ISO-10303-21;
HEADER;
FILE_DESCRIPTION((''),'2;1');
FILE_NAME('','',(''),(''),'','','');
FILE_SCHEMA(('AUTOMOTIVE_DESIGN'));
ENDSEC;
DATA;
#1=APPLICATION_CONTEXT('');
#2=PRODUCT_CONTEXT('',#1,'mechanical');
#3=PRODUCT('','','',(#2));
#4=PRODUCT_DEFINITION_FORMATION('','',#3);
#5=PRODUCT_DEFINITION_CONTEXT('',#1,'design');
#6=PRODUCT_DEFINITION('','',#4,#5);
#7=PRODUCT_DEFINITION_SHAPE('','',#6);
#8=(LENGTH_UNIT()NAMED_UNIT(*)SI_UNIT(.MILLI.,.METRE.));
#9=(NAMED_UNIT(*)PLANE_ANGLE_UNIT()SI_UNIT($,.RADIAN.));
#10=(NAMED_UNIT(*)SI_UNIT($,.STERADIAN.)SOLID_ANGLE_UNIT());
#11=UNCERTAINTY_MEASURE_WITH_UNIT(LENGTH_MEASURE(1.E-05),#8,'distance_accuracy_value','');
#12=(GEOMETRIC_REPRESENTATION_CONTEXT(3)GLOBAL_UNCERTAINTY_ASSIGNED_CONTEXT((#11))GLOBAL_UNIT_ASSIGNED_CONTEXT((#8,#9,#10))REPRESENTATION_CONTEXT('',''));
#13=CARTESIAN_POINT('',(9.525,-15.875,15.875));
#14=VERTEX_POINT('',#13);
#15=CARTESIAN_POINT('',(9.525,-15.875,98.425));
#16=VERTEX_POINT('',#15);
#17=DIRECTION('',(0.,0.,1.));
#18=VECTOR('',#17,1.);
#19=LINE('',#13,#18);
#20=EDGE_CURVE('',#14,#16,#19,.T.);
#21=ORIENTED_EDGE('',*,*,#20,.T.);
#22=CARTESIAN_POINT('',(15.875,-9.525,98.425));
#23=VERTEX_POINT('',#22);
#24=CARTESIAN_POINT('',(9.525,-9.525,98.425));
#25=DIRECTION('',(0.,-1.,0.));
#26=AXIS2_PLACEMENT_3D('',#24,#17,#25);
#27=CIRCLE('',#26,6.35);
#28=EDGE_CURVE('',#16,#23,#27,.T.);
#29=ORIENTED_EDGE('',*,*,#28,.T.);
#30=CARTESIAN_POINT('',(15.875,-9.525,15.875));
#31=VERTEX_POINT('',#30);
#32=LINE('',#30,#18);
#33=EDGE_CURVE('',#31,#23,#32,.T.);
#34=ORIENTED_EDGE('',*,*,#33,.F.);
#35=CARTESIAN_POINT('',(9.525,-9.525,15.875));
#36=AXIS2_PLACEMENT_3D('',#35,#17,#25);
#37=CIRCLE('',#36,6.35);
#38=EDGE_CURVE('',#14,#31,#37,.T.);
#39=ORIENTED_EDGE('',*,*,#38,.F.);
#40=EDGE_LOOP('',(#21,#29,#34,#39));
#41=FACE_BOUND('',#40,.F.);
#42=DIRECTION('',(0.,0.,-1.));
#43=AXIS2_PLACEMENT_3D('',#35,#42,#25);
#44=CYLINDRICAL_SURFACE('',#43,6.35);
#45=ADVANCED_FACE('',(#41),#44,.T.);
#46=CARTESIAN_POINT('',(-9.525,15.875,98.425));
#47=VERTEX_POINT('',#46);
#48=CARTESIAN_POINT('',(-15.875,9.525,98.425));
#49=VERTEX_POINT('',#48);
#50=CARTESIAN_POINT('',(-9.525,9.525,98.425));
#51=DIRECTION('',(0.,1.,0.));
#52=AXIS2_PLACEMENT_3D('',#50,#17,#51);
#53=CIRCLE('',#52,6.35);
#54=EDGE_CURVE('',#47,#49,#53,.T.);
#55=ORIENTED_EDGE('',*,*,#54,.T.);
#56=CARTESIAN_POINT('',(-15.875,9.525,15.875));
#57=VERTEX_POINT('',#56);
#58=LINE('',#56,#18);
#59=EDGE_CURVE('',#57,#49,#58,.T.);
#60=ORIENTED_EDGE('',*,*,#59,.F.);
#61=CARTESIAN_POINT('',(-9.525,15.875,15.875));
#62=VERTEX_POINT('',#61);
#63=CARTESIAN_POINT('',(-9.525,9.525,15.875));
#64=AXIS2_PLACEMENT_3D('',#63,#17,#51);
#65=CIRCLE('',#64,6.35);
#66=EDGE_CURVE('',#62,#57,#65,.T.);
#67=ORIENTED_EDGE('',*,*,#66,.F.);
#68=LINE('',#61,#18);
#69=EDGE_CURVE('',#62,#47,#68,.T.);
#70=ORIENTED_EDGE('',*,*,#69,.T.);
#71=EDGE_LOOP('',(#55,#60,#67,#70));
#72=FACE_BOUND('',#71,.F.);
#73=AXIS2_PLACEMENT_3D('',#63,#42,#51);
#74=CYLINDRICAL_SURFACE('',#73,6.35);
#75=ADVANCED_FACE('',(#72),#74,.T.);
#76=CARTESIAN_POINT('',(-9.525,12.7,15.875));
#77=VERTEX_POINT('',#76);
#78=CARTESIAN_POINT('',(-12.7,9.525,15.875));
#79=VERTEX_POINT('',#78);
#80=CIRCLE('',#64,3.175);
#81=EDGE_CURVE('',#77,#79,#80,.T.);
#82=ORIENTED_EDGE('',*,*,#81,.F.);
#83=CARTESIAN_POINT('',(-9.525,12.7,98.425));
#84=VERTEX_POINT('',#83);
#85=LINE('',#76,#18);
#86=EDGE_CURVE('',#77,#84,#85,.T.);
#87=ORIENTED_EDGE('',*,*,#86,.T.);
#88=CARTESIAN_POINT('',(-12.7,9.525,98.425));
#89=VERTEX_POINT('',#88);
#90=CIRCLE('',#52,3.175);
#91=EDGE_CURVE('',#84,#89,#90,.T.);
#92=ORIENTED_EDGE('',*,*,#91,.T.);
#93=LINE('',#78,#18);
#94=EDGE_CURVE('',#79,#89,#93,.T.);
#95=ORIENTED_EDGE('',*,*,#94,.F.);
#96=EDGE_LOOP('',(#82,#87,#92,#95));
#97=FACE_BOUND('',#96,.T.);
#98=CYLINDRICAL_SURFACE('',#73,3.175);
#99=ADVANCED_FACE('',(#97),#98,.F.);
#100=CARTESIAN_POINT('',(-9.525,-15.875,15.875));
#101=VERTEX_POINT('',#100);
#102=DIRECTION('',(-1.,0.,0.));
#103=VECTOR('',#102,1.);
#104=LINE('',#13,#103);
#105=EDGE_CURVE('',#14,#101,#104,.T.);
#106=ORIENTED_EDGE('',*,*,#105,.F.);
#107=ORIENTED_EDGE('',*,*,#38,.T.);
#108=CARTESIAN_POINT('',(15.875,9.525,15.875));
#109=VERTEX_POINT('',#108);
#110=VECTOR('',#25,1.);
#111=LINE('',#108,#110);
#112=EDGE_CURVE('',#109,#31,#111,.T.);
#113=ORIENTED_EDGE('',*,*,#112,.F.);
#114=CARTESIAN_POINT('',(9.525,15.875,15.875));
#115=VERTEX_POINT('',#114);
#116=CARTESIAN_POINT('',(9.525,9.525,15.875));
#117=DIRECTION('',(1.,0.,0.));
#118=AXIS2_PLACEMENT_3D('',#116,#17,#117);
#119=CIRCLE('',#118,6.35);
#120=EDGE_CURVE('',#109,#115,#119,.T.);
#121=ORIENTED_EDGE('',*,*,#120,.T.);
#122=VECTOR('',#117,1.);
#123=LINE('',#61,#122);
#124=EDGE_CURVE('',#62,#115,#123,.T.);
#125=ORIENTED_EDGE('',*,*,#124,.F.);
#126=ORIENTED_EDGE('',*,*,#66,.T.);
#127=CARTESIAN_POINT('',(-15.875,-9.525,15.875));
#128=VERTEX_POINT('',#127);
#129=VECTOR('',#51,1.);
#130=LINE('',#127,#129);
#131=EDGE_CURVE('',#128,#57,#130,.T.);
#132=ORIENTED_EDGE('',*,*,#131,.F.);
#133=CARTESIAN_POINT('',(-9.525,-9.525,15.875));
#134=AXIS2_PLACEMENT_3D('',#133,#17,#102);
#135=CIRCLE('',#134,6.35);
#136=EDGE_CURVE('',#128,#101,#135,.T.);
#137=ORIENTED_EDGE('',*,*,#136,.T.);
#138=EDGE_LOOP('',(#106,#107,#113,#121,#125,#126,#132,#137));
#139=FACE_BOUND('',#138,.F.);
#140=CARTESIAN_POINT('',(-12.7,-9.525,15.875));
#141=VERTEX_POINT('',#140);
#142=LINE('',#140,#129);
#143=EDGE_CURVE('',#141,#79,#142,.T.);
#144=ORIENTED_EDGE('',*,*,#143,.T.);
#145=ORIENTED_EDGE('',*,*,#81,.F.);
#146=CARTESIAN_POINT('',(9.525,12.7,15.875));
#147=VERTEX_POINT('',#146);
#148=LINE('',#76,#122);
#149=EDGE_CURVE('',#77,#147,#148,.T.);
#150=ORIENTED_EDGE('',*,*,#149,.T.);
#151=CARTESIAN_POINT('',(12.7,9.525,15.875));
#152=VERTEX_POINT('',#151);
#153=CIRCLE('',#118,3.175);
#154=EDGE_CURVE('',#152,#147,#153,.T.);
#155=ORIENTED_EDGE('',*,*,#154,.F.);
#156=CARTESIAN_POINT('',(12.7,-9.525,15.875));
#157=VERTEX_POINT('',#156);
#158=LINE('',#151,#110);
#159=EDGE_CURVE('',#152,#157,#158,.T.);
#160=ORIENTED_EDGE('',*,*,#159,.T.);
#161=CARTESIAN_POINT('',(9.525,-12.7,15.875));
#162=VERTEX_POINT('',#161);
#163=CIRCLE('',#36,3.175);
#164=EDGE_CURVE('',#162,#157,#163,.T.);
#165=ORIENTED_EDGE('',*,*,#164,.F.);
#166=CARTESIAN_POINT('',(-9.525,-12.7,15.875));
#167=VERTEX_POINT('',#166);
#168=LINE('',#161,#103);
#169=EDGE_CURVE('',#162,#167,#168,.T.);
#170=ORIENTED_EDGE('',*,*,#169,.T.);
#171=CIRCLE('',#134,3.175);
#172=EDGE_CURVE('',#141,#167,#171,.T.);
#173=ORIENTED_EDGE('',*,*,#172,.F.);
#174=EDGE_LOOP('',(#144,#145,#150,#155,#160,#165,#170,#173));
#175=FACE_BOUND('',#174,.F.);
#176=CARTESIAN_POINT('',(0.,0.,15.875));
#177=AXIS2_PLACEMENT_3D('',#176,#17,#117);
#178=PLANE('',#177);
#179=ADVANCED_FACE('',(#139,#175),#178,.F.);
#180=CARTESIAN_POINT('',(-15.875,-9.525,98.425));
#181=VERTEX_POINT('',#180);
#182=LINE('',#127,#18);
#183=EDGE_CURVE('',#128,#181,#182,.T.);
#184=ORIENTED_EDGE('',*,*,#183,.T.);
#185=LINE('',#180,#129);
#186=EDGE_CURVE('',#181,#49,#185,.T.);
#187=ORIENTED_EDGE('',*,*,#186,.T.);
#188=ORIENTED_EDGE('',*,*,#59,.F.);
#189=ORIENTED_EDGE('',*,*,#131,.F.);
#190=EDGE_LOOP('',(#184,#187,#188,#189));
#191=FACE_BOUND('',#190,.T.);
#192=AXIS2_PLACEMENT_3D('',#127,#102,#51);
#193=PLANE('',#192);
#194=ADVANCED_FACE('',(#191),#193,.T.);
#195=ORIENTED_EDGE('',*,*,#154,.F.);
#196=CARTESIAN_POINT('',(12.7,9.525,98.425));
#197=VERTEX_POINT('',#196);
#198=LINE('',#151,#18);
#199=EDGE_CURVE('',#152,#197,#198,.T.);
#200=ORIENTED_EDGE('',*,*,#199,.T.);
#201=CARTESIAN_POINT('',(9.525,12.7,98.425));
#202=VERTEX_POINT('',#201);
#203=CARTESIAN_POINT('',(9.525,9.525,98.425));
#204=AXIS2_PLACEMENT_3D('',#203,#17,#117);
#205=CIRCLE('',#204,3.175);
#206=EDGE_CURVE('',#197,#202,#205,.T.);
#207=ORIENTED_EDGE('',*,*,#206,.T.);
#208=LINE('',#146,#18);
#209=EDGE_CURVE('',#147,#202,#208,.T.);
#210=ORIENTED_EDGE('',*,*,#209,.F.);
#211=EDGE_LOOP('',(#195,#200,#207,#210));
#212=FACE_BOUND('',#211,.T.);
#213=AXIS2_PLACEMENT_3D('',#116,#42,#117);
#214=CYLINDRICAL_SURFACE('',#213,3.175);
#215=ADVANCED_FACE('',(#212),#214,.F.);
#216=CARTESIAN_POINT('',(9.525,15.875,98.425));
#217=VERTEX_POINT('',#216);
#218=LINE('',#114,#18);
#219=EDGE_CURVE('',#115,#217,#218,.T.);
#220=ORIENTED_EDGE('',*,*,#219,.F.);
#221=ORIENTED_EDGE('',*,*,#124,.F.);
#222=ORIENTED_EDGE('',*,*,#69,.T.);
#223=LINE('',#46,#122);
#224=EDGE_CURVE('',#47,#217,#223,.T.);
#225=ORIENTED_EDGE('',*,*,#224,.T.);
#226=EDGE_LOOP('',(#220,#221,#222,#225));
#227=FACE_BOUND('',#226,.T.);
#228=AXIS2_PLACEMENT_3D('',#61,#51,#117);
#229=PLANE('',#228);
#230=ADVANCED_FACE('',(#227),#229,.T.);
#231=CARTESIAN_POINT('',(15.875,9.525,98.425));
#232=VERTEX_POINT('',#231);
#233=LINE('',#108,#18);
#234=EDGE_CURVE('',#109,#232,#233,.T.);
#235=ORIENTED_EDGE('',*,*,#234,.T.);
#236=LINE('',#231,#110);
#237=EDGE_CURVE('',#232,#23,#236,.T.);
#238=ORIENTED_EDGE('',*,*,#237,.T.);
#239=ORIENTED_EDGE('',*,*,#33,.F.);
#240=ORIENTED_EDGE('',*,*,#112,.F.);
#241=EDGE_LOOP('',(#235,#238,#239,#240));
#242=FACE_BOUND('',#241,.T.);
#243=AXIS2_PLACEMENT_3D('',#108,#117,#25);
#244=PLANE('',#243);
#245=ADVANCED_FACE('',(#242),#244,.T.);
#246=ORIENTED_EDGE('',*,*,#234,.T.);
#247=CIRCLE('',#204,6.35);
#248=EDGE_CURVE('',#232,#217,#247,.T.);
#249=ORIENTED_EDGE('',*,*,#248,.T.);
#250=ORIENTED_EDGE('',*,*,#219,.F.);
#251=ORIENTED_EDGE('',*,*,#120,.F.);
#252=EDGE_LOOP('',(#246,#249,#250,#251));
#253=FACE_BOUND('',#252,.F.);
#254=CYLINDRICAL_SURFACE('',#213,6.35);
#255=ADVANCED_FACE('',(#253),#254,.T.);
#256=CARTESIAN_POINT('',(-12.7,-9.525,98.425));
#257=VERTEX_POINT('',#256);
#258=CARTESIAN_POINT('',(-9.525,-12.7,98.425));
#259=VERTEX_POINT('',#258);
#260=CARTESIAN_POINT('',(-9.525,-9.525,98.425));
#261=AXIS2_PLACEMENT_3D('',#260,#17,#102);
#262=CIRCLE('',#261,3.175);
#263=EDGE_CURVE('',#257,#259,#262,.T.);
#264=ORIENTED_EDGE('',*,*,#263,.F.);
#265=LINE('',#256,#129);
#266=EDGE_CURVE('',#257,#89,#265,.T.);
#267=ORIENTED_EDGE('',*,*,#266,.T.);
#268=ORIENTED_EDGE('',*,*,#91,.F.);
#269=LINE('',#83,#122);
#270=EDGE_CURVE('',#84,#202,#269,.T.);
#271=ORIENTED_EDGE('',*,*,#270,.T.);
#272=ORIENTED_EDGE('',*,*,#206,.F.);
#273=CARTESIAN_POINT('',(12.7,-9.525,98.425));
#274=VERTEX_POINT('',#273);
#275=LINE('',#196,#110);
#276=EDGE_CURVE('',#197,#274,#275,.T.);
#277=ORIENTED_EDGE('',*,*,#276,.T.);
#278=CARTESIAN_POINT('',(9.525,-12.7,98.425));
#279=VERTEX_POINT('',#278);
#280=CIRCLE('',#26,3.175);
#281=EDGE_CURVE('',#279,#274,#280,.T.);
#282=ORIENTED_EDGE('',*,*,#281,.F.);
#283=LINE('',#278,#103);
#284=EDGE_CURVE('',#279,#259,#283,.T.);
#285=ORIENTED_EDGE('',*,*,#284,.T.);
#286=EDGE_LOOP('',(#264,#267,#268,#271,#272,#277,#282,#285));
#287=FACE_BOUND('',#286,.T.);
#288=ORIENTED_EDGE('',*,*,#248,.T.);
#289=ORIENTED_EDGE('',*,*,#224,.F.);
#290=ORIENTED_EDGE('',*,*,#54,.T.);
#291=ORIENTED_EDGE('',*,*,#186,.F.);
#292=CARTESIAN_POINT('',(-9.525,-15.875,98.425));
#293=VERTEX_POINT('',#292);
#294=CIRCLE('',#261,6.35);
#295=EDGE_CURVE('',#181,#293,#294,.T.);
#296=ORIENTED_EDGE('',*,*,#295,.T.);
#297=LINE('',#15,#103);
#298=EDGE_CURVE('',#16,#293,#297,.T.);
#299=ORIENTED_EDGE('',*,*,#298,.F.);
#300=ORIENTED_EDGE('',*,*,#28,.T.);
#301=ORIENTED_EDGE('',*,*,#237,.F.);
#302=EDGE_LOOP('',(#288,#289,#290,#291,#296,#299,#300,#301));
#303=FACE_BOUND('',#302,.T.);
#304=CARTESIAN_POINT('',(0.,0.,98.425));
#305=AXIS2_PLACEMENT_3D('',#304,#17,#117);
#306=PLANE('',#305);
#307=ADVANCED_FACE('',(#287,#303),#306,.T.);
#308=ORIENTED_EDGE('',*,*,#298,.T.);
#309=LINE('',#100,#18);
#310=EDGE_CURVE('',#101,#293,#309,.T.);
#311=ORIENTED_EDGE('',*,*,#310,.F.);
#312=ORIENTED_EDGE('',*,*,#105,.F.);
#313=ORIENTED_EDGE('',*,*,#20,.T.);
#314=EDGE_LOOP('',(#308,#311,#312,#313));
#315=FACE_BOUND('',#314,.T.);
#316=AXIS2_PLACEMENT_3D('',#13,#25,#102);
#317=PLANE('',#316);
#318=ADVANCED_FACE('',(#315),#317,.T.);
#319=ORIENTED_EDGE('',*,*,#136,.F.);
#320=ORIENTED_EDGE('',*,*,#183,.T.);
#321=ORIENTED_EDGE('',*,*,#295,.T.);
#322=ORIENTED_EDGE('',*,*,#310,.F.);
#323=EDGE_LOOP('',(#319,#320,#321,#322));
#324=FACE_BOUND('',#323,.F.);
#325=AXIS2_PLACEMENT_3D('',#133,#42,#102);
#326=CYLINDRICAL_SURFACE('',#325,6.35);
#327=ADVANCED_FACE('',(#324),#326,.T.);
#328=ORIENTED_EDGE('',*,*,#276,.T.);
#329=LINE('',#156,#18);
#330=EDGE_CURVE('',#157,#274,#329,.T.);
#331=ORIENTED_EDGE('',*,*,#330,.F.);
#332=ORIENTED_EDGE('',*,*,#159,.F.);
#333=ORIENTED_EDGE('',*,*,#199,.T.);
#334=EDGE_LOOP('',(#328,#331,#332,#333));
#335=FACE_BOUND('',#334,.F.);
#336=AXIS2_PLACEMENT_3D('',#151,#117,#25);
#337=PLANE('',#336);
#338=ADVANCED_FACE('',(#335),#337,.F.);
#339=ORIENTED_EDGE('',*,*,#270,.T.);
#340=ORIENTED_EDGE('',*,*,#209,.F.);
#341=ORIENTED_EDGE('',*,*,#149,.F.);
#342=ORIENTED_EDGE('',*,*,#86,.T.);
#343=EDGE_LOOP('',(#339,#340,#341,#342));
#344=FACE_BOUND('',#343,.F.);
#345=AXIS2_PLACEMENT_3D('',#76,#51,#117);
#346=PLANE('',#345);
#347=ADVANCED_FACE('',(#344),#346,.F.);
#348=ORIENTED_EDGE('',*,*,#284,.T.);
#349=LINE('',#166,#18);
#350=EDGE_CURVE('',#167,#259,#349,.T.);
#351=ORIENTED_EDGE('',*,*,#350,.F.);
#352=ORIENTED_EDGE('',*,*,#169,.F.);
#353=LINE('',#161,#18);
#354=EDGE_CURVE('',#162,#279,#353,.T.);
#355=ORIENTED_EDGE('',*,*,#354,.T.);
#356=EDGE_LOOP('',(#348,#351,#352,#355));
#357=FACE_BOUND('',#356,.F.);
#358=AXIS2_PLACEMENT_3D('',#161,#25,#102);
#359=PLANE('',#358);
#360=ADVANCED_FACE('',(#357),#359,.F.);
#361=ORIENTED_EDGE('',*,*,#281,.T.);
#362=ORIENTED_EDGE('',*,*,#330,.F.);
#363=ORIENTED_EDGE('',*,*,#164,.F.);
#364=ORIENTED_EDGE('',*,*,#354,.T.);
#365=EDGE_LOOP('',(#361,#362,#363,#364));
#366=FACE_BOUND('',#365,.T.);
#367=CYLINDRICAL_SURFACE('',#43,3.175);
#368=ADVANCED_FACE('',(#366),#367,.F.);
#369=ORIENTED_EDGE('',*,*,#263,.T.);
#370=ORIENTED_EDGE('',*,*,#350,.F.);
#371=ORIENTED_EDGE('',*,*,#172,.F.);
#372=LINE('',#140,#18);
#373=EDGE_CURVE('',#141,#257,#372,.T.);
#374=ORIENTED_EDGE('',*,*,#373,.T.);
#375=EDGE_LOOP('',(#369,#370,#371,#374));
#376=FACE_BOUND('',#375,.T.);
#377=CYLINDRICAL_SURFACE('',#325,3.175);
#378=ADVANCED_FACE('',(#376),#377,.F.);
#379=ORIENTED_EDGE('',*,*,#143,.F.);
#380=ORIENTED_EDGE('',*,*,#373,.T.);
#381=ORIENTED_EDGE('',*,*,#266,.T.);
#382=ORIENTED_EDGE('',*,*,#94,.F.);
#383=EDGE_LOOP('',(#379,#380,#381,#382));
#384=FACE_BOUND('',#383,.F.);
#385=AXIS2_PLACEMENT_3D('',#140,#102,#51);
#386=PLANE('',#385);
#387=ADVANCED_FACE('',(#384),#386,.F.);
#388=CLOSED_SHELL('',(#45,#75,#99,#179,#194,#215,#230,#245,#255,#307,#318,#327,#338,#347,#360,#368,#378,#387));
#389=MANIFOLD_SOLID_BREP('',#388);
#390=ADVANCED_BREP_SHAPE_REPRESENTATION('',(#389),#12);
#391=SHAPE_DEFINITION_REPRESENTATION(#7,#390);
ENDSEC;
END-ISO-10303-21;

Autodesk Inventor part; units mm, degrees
ref_plane "Start plane" through (0, 0, 15.875) normal (0, 0, 1) x (1, 0, 0)
ref_plane "End plane" through (0, 0, 98.425) normal (0, 0, 1) x (1, 0, 0)
sketch "Sketch" plane through (0, 0, 0) normal (0, 0, 1) x (1, 0, 0)
  line L0 (-15.875, -9.525) -> (-15.875, 9.525)
  line L1 (-9.525, 15.875) -> (9.525, 15.875)
  line L2 (15.875, 9.525) -> (15.875, -9.525)
  line L3 (9.525, -15.875) -> (-9.525, -15.875)
  arc A0 (-15.875, -9.525) -> (-9.525, -15.875) centre (-9.525, -9.525) ccw
  arc A1 (-9.525, 15.875) -> (-15.875, 9.525) centre (-9.525, 9.525) ccw
  arc A2 (15.875, 9.525) -> (9.525, 15.875) centre (9.525, 9.525) ccw
  arc A3 (9.525, -15.875) -> (15.875, -9.525) centre (9.525, -9.525) ccw
  arc A4 (-9.525, 12.7) -> (-12.7, 9.525) centre (-9.525, 9.525) ccw
  line L4 (-9.525, 12.7) -> (9.525, 12.7)
  arc A5 (12.7, 9.525) -> (9.525, 12.7) centre (9.525, 9.525) ccw
  line L5 (12.7, 9.525) -> (12.7, -9.525)
  arc A6 (9.525, -12.7) -> (12.7, -9.525) centre (9.525, -9.525) ccw
  line L6 (9.525, -12.7) -> (-9.525, -12.7)
  arc A7 (-12.7, -9.525) -> (-9.525, -12.7) centre (-9.525, -9.525) ccw
  line L7 (-12.7, -9.525) -> (-12.7, 9.525)
  line L8 (0, 24.0662) -> (0, -24.0662) construction
  line L9 (-24.0662, 0) -> (24.0662, 0) construction
  dimension "d10" = 31.75
  dimension "d11" = 31.75
  dimension "d12" = 3.175
  dimension "d15" = 15.875
  dimension "d16" = 15.875
  dimension "d17" = 6.35
extrude "Body" add sketch "Sketch" along normal up to surface (82.55 mm away) from surface at 15.875
sketch "Sketch3" plane through (0, 0, 0) normal (0, 0, 1) x (1, 0, 0)
  line L0 (0, 0) -> (10, 0)
ref_plane "Work Plane3" through (0, 0, 0) normal (0, -1, 0) x (1, 0, 0)
sketch "Sketch4" plane through (0, 0, 0) normal (0, -1, 0) x (1, 0, 0)
  line L0 (-2, 15.875) -> (12, 15.875)
  line L1 (-2, 98.425) -> (12, 98.425)
  dimension "d19" = 82.55
ref_plane "Work Plane4" through (-9.525, -609.6, 98.425) normal (0, 0, 1) x (1, 0, 0)
split "Split1" plane through (-9.525, -609.6, 98.425) removes the side toward (0, 0, 1)
ref_plane "Work Plane5" through (9.525, -609.6, 15.875) normal (0, 0, -1) x (-1, 0, 0)
split "Split2" plane through (9.525, -609.6, 15.875) removes the side toward (0, 0, -1)
equation "\"d10\" = G_H"
equation "\"d11\" = G_W"
equation "\"d12\" = G_T"
equation "\"d15\" = 0.5 * d10"
equation "\"d16\" = 0.5 * d11"
equation "\"d17\" = G_IR"
equation "\"d3\" = G_L"
equation "\"G_W\" = 31.75"
equation "\"G_H\" = 31.75"
equation "\"G_T\" = 3.175"
equation "\"G_IR\" = 6.35"
equation "\"G_L\" = d19"
equation "\"G_OFFSET_START\" = -15.875"
equation "\"G_OFFSET_END\" = -15.875"
equation "\"d13\" = -G_OFFSET_START"
equation "\"d14\" = G_OFFSET_END + B_L"
equation "\"B_L\" = 114.3"
properties part number "AISC HSS - 1-1/4x1-1/4x1/8 - 3.25" material "Steel, Mild"
